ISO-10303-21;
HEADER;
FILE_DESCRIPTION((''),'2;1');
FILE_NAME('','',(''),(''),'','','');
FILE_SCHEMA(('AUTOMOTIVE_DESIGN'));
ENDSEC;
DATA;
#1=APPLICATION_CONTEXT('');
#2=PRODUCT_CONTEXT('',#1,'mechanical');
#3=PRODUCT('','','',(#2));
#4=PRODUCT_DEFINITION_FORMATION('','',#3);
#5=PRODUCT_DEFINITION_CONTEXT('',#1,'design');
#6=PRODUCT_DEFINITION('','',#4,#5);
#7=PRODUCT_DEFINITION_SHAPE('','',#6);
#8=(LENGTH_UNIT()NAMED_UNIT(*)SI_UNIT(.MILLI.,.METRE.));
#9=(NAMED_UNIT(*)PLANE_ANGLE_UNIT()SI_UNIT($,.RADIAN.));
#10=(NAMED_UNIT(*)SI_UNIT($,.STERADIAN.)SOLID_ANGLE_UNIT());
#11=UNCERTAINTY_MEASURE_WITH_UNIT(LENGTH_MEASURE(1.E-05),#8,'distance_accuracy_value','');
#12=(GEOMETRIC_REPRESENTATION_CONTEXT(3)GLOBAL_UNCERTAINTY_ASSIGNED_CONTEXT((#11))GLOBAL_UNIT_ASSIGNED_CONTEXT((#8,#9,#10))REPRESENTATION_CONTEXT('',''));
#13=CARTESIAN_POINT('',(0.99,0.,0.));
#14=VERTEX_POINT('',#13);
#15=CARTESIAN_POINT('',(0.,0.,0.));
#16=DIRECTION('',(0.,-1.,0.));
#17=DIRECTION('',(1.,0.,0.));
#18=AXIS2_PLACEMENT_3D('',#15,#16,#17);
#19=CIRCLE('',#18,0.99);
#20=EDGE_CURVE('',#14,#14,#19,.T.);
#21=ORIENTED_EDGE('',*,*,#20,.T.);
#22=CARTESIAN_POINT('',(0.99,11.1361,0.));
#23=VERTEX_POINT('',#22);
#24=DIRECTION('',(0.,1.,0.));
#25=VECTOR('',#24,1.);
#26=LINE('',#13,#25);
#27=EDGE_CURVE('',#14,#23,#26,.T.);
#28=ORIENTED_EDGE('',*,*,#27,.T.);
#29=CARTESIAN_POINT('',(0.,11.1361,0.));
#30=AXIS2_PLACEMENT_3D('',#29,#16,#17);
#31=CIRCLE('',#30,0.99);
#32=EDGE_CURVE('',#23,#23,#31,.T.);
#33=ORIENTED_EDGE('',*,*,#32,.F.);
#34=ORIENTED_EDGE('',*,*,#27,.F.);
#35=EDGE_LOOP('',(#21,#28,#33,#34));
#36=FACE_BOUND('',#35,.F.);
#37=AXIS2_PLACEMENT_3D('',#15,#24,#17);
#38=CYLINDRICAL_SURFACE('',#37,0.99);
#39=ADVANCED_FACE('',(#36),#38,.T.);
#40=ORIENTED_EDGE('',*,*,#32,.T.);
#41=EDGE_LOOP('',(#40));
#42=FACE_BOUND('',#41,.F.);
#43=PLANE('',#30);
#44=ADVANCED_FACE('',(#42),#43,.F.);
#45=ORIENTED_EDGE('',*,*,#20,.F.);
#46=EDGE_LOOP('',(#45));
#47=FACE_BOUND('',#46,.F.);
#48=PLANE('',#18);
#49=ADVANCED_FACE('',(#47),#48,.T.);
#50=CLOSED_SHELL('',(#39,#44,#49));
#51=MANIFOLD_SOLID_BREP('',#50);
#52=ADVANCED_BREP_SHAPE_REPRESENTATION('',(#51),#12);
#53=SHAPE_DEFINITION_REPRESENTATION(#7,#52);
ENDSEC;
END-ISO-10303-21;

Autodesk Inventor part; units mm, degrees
ref_plane "YZ Plane" through (0, 0, 0) normal (1, 0, 0) x (0, 1, 0)
ref_plane "XZ Plane" through (0, 0, 0) normal (0, 1, 0) x (-1, 0, 0)
ref_plane "XY Plane" through (0, 0, 0) normal (0, 0, 1) x (1, 0, 0)
sketch "Boceto1" plane through (0, 0, 0) normal (0, 0, 1) x (1, 0, 0)
  line L0 (0.99, 0) -> (0.99, 11.1361)
  line L1 (0.99, 11.1361) -> (0, 11.1361)
  line L2 (0, 11.1361) -> (0, 0)
  line L3 (0, 0) -> (0.99, 0)
  dimension "d9" = 0.99
revolve "Revolución1" add sketch "Boceto1" angle 360 about axis through (0, 11.1361, 0) along (0, -1, 0)
equation "\"d9\" = 0.5 * Do"
equation "\"Dc\" = 0.4"
equation "\"Lc\" = 0.62"
equation "\"Ln\" = 10.06"
equation "\"Do\" = 1.98"
equation "\"alfa\" = 60deg"
properties part number "3DPipeBoquilla0.4"
